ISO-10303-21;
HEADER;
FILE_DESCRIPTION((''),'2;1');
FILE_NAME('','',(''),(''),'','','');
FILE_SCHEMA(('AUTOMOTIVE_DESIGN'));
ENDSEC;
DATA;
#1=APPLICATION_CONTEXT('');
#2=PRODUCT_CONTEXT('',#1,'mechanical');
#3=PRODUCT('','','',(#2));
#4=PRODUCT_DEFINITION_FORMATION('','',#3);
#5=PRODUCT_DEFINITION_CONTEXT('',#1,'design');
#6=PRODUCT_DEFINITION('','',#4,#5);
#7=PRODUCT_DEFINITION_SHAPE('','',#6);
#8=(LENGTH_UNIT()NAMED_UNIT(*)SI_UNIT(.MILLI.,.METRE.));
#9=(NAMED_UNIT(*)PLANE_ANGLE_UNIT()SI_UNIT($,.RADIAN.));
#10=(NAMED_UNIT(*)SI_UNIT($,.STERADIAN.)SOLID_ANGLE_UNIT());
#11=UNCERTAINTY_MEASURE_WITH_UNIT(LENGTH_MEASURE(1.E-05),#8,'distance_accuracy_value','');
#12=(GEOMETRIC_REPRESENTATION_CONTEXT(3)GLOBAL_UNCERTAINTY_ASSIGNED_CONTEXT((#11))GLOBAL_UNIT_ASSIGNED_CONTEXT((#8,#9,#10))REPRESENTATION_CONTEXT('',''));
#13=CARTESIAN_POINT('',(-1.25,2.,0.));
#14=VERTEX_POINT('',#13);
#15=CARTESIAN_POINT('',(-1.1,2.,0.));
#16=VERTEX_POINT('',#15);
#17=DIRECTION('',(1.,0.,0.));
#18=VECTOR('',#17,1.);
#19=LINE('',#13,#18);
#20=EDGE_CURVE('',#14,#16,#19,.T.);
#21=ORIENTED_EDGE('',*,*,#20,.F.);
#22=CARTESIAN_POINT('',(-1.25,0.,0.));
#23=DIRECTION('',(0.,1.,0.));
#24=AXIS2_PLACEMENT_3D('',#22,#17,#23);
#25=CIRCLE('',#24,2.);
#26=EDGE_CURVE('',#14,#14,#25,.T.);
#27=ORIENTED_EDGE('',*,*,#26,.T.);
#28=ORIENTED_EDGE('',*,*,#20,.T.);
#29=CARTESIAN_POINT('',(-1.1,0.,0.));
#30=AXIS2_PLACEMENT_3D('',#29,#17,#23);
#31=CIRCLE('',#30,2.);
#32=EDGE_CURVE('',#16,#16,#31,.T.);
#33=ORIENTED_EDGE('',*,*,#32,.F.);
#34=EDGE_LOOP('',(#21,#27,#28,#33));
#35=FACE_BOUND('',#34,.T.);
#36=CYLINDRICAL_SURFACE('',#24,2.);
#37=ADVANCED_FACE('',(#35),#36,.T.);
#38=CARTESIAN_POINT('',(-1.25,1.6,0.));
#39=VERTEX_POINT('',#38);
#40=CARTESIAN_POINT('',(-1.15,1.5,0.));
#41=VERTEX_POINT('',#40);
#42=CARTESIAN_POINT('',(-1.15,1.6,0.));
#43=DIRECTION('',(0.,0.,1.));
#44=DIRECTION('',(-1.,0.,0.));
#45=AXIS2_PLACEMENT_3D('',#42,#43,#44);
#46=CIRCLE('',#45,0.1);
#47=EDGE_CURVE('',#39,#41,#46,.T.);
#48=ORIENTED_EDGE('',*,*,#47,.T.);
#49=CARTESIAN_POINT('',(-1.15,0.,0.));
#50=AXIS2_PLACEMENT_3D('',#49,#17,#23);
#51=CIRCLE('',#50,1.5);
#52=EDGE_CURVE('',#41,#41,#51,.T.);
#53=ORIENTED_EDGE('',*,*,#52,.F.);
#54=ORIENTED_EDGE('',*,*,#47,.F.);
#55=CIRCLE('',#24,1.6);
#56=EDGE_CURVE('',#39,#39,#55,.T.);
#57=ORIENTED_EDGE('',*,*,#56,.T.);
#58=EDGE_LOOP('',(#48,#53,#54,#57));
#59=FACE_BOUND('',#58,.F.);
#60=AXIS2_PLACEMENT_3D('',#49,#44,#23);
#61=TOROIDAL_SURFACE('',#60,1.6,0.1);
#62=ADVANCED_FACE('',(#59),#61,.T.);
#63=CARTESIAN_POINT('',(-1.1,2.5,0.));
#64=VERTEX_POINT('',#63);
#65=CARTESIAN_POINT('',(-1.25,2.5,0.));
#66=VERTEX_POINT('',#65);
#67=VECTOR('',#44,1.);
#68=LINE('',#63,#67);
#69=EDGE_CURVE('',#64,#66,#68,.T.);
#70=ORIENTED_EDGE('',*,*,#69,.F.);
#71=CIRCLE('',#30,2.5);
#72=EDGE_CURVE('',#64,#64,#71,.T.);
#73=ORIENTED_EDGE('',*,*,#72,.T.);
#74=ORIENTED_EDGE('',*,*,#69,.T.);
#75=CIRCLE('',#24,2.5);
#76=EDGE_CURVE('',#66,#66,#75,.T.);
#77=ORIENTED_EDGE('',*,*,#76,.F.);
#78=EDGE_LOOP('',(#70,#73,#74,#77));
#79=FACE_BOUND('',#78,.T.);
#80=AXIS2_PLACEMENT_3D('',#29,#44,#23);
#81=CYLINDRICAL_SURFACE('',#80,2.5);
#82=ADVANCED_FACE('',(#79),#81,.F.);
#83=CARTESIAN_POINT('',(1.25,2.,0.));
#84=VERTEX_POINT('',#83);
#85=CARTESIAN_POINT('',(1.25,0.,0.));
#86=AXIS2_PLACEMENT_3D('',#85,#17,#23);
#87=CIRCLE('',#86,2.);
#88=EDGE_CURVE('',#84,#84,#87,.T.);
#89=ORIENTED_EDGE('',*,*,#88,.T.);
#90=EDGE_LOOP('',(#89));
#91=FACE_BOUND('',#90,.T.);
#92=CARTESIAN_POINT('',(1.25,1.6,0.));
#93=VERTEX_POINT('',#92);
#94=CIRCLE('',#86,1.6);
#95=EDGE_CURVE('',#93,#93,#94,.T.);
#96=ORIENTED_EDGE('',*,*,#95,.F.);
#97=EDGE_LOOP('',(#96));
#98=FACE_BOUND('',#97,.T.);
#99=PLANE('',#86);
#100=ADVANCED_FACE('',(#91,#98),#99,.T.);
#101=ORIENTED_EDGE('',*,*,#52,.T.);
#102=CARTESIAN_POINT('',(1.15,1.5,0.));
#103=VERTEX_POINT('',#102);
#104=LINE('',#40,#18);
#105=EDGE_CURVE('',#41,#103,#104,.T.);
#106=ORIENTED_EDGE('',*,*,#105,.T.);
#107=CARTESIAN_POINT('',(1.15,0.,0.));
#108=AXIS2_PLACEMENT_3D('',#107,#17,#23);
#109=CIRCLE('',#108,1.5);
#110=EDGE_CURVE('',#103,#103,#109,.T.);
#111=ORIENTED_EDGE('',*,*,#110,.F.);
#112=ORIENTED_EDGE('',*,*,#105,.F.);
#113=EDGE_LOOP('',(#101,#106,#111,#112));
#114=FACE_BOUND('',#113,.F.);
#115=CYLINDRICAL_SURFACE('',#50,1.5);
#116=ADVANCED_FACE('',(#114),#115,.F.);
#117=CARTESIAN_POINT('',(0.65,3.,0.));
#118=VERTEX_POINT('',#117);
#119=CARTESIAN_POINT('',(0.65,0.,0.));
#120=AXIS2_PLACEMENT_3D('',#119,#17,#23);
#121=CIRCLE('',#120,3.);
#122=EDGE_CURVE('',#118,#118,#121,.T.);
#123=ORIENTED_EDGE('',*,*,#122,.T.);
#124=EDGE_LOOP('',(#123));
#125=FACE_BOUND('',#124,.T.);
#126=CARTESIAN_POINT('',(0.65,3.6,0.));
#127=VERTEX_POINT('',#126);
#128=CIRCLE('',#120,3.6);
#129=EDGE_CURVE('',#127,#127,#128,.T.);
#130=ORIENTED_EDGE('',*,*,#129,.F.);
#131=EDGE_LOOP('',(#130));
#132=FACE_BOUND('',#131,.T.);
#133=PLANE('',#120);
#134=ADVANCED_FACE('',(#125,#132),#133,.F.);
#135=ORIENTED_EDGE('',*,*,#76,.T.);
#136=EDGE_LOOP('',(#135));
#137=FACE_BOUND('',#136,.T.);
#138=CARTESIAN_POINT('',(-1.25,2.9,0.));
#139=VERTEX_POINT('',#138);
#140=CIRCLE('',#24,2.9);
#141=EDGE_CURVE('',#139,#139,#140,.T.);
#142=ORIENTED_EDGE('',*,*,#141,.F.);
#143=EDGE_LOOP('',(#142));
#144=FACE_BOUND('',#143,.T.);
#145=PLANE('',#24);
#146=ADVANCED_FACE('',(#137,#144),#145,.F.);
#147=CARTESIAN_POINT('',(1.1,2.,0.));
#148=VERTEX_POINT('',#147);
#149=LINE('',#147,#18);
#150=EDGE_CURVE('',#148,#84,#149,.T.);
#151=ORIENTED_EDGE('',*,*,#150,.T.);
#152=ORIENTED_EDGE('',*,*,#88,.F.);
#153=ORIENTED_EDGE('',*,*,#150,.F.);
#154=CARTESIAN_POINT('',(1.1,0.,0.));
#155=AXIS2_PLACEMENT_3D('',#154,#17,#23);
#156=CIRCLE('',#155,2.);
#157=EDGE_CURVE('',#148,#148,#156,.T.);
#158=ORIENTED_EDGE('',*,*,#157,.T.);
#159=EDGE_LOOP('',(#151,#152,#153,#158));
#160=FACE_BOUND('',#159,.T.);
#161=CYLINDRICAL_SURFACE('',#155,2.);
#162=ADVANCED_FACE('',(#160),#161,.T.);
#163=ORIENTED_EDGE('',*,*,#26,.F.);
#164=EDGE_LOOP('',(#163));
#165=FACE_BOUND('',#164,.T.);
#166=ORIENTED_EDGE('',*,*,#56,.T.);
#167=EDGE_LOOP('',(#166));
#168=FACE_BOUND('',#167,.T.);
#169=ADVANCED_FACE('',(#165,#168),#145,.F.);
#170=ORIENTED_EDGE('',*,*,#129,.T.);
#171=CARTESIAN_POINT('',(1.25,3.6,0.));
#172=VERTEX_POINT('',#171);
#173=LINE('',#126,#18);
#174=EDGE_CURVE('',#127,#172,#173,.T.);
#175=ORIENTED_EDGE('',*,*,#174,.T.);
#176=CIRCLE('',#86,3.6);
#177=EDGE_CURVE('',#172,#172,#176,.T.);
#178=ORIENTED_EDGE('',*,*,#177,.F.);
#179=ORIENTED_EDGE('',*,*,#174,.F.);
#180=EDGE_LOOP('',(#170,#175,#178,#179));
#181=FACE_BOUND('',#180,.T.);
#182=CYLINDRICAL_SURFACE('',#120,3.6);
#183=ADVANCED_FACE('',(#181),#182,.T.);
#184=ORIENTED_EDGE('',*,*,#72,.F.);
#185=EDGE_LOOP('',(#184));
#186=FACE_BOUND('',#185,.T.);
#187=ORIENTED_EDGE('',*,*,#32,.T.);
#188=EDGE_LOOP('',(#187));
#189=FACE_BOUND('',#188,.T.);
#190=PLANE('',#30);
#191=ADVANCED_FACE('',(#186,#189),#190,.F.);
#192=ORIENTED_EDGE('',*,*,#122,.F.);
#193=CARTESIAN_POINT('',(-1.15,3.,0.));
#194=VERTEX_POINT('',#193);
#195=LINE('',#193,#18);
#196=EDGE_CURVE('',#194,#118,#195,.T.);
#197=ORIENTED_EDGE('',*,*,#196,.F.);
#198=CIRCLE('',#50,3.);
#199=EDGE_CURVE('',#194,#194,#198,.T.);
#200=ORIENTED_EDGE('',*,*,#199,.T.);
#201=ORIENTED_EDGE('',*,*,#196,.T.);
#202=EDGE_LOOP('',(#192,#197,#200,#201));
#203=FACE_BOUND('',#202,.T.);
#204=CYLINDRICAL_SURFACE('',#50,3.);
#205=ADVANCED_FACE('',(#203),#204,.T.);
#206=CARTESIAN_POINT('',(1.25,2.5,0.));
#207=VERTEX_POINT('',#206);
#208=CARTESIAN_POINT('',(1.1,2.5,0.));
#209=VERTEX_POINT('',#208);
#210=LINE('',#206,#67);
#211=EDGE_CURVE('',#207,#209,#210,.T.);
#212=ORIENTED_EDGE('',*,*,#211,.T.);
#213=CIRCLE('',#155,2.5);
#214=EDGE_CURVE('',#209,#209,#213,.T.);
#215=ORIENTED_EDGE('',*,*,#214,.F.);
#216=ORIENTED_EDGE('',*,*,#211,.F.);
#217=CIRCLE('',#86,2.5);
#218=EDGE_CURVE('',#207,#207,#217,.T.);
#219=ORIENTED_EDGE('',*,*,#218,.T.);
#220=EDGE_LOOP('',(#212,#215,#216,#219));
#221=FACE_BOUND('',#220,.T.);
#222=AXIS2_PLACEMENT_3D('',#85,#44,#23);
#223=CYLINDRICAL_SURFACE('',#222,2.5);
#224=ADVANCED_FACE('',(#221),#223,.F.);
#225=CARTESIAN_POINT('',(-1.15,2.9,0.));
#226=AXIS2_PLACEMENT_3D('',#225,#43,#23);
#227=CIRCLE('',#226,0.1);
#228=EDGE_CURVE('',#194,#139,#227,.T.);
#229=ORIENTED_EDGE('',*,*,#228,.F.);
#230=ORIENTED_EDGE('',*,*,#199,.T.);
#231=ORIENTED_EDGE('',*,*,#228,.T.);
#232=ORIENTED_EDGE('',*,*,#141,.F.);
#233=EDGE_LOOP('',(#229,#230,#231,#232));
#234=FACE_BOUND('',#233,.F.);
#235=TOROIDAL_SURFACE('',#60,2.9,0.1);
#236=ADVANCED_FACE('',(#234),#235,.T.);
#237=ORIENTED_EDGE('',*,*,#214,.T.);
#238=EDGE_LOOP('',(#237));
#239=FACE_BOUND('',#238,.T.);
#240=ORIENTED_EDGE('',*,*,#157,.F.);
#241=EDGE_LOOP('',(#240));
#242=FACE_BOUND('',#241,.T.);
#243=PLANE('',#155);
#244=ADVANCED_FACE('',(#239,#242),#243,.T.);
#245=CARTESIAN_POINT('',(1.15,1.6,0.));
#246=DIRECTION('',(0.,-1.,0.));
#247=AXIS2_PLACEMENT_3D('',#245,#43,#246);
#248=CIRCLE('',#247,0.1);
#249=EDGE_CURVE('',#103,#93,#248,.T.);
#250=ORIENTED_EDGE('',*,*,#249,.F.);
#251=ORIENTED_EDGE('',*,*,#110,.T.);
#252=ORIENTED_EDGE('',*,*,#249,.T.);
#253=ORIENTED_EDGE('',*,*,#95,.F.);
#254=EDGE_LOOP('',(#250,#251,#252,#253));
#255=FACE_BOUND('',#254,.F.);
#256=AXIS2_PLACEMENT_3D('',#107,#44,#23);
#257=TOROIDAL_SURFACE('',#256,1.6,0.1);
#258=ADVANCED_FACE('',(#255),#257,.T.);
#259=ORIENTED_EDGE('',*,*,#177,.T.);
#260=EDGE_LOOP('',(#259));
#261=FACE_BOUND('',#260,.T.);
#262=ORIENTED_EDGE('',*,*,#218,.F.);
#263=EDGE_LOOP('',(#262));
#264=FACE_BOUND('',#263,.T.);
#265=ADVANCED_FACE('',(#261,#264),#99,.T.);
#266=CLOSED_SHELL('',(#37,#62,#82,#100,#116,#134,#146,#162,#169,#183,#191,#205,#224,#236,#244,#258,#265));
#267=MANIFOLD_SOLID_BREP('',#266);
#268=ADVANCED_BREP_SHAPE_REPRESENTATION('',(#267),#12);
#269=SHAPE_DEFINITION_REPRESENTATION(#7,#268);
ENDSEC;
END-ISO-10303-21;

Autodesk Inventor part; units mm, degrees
ref_plane "YZ Plane" through (0, 0, 0) normal (1, 0, 0) x (0, 1, 0)
ref_plane "XZ Plane" through (0, 0, 0) normal (0, 1, 0) x (-1, 0, 0)
ref_plane "XY Plane" through (0, 0, 0) normal (0, 0, 1) x (1, 0, 0)
sketch "_____1" plane through (0, 0, 0) normal (0, 0, 1) x (1, 0, 0)
  line L0 (50, 0) -> (-50, 0)
  line L1 (-1.25, 0) -> (-1.25, 2)
  line L2 (-1.25, 2) -> (-1.1, 2)
  line L3 (-1.1, 2) -> (-1.1, 2.5)
  line L4 (-1.1, 2.5) -> (-1.25, 2.5)
  line L5 (-1.25, 2.5) -> (-1.25, 2.9)
  arc A0 (-1.15, 3) -> (-1.25, 2.9) centre (-1.15, 2.9) ccw
  line L6 (-1.15, 3) -> (0.65, 3)
  line L7 (0.65, 3) -> (0.65, 3.6)
  line L8 (0.65, 3.6) -> (1.25, 3.6)
  line L9 (1.25, 3.6) -> (1.25, 2.5)
  line L10 (1.25, 2.5) -> (1.1, 2.5)
  line L11 (1.1, 2.5) -> (1.1, 2)
  line L12 (1.1, 2) -> (1.25, 2)
  line L13 (1.25, 2) -> (1.25, 0)
  line L14 (1.25, 0) -> (-1.25, 0)
revolve "Revolution1" add sketch "_____1" angle 360 about axis through (50, 0, 0) along (1, 0, 0)
sketch "_____2" plane through (0, 0, 0) normal (0, 0, 1) x (1, 0, 0)
  line L0 (50, 0) -> (-50, 0)
  line L1 (-1.25, 0) -> (-1.25, 1.6)
  arc A0 (-1.25, 1.6) -> (-1.15, 1.5) centre (-1.15, 1.6) ccw
  line L2 (-1.15, 1.5) -> (1.15, 1.5)
  arc A1 (1.15, 1.5) -> (1.25, 1.6) centre (1.15, 1.6) ccw
  line L3 (1.25, 1.6) -> (1.25, 0)
  line L4 (1.25, 0) -> (-1.25, 0)
revolve "Revolution2" cut sketch "_____2" angle 360 about axis through (50, 0, 0) along (1, 0, 0)
properties part number "C-FL673ZZ"
